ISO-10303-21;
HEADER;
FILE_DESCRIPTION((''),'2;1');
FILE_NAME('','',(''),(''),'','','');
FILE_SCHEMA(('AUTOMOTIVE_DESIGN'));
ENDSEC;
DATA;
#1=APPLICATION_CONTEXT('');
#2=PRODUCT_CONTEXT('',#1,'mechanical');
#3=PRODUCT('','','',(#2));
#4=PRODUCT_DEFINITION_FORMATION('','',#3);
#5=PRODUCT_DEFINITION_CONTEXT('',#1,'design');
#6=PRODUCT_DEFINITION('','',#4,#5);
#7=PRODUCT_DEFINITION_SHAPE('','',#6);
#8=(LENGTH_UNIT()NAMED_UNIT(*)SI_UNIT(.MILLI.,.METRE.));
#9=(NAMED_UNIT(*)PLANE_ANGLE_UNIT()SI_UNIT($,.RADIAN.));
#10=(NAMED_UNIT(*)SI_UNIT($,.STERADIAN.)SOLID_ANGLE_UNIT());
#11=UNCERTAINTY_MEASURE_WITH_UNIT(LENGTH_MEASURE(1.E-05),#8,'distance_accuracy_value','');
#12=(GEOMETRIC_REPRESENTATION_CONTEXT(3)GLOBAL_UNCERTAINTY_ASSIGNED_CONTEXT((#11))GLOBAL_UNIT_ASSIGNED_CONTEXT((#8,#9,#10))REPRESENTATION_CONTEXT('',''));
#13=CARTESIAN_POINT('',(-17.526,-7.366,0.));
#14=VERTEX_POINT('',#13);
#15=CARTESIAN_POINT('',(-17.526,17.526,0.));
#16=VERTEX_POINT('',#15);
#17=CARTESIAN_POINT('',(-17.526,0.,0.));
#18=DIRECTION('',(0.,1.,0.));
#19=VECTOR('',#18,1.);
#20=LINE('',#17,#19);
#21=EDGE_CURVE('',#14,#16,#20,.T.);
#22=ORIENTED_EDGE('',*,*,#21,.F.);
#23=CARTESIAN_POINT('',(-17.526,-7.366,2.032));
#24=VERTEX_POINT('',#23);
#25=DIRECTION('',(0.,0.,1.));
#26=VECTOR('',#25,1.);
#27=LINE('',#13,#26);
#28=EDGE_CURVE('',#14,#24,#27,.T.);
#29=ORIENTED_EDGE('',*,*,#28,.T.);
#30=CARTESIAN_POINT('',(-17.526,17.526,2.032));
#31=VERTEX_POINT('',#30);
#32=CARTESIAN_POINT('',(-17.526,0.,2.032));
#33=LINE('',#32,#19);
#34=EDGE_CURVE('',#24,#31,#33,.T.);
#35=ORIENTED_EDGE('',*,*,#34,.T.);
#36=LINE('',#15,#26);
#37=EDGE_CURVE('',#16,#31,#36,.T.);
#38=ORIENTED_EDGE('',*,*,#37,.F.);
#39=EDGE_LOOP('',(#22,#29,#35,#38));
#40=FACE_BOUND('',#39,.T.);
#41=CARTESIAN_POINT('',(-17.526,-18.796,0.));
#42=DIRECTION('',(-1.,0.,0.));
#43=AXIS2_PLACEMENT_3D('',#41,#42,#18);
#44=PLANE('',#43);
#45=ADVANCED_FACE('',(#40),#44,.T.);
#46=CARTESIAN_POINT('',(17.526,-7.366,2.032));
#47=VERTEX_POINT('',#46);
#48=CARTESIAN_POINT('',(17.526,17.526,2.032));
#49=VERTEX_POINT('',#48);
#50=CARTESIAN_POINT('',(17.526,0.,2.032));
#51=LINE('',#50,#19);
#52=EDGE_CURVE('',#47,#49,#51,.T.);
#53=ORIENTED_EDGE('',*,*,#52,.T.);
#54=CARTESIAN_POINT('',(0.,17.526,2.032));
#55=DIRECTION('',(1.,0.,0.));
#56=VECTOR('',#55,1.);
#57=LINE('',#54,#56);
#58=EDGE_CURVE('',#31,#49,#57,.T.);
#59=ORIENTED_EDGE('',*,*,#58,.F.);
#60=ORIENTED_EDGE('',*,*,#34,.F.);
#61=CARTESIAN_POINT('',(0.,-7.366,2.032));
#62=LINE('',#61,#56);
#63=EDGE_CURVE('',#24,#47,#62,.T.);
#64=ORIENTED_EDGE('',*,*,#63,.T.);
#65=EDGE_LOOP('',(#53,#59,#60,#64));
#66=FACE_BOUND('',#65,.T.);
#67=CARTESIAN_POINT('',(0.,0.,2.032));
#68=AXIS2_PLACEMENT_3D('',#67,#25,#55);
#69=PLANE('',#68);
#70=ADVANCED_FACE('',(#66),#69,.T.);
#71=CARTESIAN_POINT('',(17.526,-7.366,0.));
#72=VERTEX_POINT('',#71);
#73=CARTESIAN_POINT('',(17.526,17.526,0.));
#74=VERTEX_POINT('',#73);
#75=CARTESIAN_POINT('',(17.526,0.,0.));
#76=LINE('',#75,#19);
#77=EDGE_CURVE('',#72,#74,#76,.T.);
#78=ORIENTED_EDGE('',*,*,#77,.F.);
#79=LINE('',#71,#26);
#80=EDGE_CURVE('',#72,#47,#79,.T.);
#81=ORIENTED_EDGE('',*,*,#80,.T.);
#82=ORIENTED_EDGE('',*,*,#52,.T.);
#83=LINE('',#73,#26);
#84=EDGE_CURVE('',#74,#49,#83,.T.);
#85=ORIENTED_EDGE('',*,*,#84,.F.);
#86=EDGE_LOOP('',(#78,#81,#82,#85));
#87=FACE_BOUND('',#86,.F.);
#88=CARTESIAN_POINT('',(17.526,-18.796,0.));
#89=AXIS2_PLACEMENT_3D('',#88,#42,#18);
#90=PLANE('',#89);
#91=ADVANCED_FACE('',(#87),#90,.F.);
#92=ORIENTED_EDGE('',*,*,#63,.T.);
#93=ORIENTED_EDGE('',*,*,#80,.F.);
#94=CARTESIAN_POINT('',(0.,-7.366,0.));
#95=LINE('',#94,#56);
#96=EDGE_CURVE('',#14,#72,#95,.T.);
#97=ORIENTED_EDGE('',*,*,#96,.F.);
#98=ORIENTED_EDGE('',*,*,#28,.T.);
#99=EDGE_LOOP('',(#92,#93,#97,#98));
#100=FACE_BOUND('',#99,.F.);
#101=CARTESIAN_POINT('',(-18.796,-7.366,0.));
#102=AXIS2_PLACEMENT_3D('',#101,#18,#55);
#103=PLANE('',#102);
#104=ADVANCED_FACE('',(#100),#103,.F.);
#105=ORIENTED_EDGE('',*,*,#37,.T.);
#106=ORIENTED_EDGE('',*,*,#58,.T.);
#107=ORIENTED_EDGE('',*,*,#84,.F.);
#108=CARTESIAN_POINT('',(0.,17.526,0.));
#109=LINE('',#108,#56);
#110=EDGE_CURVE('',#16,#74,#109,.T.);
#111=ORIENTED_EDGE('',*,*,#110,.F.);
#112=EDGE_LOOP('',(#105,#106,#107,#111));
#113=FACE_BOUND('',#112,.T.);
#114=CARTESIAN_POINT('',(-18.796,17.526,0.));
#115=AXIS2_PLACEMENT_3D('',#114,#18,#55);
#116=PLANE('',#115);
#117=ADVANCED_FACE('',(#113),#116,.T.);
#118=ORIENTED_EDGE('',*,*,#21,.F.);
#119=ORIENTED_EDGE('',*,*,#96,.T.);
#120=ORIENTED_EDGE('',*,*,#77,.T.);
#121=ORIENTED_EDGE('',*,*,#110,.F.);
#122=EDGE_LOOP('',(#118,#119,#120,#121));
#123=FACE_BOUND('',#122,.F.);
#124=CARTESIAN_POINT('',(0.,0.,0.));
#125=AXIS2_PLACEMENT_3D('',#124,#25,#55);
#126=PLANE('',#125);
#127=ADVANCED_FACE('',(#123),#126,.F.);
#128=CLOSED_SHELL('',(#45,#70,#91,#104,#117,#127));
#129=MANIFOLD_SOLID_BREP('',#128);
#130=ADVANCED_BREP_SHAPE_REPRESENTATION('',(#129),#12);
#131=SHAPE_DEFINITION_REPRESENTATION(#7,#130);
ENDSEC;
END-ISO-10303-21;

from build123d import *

# Parameters (mm, degrees)
F0_W     = 37.592
F0_H     = 37.592
F1_DEPTH = 2.032
F2_DEPTH = 1.27
F3_DEPTH = 1.27
F4_DEPTH = 10.16


with BuildPart() as f1:
    # F0 (on Top) → F1 (new body)
    with BuildSketch(Plane.XY):
        Rectangle(F0_W, F0_H)
    extrude(amount=F1_DEPTH)

    # F2 (cut, symmetric): faces of the model
    f2_faces = [f1.faces().sort_by_distance(p)[0] for p in [
        (0, -18.796, 1.016),
        (0, 18.796, 1.016),
    ]]
    extrude(f2_faces, amount=F2_DEPTH, both=True, dir=(0, -1, 0), mode=Mode.SUBTRACT)

    # F3 (cut, symmetric): faces of the model
    f3_faces = [f1.faces().sort_by_distance(p)[0] for p in [
        (18.796, 0, 1.016),
        (-18.796, 0, 1.016),
    ]]
    extrude(f3_faces, amount=F3_DEPTH, both=True, dir=(1, 0, 0), mode=Mode.SUBTRACT)

    # F4 (cut): a face of the model
    f4_faces = [f1.faces().sort_by_distance(p)[0] for p in [
        (0, -17.526, 1.016),
    ]]
    extrude(f4_faces, amount=-F4_DEPTH, mode=Mode.SUBTRACT)


solid = f1.part
